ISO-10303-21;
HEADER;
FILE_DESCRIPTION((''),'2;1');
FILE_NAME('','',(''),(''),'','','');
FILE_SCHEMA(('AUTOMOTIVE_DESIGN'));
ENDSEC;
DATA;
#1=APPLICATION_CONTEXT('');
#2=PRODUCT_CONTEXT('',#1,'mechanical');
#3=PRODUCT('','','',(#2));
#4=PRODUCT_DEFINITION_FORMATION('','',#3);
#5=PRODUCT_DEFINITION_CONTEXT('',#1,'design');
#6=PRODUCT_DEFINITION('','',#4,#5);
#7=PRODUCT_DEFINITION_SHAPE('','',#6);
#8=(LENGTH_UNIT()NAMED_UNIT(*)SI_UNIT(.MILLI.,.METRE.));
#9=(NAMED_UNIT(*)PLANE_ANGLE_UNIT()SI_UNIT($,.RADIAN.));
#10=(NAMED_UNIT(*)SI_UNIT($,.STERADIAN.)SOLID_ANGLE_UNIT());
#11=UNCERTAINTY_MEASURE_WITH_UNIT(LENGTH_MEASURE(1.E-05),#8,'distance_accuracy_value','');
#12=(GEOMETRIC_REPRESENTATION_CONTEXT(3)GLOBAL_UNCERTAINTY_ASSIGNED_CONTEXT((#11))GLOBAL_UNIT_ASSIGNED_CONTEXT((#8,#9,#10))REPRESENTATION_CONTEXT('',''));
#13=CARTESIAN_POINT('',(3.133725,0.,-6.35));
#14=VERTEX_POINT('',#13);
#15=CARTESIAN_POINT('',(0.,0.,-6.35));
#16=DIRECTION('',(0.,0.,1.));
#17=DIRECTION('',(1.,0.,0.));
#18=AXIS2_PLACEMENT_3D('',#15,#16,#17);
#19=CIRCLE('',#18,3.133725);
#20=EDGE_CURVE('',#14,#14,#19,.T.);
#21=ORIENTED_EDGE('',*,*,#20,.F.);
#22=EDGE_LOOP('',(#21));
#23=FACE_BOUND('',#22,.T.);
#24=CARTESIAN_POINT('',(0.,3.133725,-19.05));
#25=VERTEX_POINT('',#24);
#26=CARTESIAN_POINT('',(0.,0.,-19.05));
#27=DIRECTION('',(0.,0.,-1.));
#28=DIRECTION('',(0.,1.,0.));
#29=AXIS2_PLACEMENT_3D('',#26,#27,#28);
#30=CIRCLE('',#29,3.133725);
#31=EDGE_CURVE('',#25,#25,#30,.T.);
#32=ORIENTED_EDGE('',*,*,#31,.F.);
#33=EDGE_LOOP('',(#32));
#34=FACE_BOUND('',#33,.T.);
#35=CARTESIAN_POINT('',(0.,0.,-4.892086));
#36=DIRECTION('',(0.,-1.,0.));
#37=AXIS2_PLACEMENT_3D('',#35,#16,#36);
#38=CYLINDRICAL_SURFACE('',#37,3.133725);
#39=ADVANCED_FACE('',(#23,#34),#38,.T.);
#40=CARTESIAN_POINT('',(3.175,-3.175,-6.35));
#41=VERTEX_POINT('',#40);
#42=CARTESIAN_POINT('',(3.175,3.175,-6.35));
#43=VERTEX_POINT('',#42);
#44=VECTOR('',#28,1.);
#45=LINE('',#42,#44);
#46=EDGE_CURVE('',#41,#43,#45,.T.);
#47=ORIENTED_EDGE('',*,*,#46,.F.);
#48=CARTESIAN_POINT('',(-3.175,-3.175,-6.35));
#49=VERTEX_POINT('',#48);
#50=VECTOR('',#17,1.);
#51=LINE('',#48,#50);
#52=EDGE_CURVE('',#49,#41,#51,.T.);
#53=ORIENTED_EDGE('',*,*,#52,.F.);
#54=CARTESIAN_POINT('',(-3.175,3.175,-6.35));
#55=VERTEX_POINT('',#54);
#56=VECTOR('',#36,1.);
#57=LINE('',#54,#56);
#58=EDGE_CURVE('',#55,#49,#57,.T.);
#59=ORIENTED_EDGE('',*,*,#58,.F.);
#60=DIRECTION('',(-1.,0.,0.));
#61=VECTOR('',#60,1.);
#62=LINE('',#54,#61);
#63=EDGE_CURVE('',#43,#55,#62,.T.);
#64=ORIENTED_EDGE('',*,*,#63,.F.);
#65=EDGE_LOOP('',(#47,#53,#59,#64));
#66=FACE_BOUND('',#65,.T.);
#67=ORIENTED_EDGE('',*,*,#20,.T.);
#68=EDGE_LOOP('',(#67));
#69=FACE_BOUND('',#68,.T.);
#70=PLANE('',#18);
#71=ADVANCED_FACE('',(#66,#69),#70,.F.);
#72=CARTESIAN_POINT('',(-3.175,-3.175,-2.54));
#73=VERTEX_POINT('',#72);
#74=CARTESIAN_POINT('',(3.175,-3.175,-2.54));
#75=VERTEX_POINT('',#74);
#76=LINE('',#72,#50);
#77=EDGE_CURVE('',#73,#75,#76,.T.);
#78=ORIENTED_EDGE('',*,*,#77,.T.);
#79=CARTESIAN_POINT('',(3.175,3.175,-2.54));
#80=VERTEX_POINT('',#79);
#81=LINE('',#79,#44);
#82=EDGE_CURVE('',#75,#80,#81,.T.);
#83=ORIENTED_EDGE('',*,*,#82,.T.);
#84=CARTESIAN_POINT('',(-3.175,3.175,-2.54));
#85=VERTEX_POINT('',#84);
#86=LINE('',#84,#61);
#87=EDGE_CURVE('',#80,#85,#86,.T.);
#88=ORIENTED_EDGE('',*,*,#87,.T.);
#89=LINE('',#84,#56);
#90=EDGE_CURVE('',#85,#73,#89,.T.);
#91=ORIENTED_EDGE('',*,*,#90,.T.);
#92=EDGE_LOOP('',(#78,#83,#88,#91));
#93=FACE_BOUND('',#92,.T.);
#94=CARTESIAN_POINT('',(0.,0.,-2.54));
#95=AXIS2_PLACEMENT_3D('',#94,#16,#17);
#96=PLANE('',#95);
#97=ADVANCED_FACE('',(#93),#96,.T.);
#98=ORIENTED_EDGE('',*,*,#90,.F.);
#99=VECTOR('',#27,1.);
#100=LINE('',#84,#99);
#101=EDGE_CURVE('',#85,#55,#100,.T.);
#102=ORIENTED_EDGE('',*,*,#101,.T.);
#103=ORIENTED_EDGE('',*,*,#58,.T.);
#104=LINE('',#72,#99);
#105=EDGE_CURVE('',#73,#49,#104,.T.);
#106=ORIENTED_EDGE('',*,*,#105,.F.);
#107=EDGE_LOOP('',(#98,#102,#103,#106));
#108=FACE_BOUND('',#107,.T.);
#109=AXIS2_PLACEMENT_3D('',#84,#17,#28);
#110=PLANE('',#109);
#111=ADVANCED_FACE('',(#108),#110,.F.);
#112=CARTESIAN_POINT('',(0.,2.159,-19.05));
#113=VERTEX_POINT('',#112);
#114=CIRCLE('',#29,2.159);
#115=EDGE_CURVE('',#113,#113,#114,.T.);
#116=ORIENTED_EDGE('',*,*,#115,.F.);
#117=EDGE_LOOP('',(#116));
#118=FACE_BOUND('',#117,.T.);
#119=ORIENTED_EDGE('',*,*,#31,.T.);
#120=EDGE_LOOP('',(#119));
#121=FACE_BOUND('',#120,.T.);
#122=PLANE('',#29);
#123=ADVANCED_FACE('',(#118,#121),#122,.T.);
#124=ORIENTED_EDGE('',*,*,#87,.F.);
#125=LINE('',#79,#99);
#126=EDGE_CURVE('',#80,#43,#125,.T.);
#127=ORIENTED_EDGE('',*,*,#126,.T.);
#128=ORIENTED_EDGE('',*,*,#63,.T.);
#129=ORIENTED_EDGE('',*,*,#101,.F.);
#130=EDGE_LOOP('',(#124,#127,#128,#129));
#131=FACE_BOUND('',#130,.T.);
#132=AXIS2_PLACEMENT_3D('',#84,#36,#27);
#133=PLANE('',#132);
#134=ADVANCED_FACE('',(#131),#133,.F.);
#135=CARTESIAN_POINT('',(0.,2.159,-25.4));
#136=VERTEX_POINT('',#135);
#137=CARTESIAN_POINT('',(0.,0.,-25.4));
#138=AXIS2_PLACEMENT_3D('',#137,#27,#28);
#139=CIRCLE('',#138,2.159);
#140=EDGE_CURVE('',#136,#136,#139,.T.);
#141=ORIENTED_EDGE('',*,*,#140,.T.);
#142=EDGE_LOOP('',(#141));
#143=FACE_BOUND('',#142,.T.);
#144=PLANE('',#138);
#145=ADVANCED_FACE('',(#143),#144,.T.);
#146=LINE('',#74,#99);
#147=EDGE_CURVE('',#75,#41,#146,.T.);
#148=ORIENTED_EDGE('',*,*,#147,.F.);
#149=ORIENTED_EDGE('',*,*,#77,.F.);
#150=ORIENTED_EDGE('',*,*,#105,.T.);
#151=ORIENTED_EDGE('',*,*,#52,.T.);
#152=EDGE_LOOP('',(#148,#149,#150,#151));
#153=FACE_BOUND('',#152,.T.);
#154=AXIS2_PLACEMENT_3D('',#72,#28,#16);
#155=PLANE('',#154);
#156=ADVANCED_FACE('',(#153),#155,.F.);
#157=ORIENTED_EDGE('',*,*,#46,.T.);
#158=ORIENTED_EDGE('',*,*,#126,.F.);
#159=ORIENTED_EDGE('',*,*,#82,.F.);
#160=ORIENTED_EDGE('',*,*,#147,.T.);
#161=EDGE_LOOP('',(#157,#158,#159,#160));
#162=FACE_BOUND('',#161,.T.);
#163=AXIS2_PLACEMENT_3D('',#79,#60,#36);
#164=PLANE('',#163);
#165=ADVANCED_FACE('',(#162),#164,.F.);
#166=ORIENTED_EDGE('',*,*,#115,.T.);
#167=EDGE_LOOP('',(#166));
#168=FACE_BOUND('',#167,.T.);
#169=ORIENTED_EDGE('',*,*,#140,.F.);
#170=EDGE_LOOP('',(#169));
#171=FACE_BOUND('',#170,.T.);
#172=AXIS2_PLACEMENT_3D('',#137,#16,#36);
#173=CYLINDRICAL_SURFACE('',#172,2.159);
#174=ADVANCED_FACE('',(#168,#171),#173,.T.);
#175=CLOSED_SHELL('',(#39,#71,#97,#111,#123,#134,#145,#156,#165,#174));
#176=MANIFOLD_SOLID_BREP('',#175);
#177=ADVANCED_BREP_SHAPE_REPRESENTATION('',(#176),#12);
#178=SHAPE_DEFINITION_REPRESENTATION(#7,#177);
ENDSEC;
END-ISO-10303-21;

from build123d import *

# Parameters (mm, degrees)
SKETCH6_R           = 3.687499751
CUT_EXTRUDE3_DEPTH  = 29.1338
SKETCH7_R           = 3.133725
BOSS_EXTRUDE1_DEPTH = 3.81
SKETCH8_R           = 2.159
BOSS_EXTRUDE2_DEPTH = 6.35
SKETCH9_R           = 4.699
CUT_EXTRUDE4_DEPTH  = 6.35
SKETCH10_W          = 6.35
SKETCH10_H          = 6.35
BOSS_EXTRUDE3_DEPTH = 3.81


with BuildPart() as part:
    # Sketch1 → Revolve1 (revolve)
    with BuildSketch(Plane(origin=(0, 0, 0), x_dir=(0, 0, -1), z_dir=(1, 0, 0))):
        Polygon((4.892085627, 0), (44.3738, 0), (44.3738, 2.159), (43.409235, 3.123565), (25.3238, 3.123565), (18.9738, 3.133725), (6.4516, 3.133725), (6.2738, 3.133725), (6.2738, 3.311525), (6.2738, 4.445), (6.2738, 4.699), (6.0198, 4.699), (0.635, 4.699), (0, 4.699), (0, 4.064), (0, 3.19405), (0, 0), align=None)
    revolve(axis=Axis((0, 0, -4.892085627), (0, 0, -1)))

    # Sketch6 → Cut-Extrude3 (cut)
    with BuildSketch(Plane(origin=(0, 0, -44.3738), x_dir=(-1, 0, 0), z_dir=(0, 0, -1))):
        Circle(SKETCH6_R)
    extrude(amount=-CUT_EXTRUDE3_DEPTH, mode=Mode.SUBTRACT)

    # Sketch7 → Boss-Extrude1 (add)
    with BuildSketch(Plane(origin=(0, 0, -15.24), x_dir=(-1, 0, 0), z_dir=(0, 0, -1))):
        Circle(SKETCH7_R)
    extrude(amount=BOSS_EXTRUDE1_DEPTH)

    # Sketch8 → Boss-Extrude2 (add)
    with BuildSketch(Plane(origin=(0, 0, -19.05), x_dir=(-1, 0, 0), z_dir=(0, 0, -1))):
        Circle(SKETCH8_R)
    extrude(amount=BOSS_EXTRUDE2_DEPTH)

    # Sketch9 → Cut-Extrude4 (cut)
    with BuildSketch(Plane.XY):
        Circle(SKETCH9_R)
    extrude(amount=-CUT_EXTRUDE4_DEPTH, mode=Mode.SUBTRACT)

    # Sketch10 → Boss-Extrude3 (add)
    with BuildSketch(Plane.XY.offset(-6.35)):
        Rectangle(SKETCH10_W, SKETCH10_H)
    extrude(amount=BOSS_EXTRUDE3_DEPTH)


solid = part.part
